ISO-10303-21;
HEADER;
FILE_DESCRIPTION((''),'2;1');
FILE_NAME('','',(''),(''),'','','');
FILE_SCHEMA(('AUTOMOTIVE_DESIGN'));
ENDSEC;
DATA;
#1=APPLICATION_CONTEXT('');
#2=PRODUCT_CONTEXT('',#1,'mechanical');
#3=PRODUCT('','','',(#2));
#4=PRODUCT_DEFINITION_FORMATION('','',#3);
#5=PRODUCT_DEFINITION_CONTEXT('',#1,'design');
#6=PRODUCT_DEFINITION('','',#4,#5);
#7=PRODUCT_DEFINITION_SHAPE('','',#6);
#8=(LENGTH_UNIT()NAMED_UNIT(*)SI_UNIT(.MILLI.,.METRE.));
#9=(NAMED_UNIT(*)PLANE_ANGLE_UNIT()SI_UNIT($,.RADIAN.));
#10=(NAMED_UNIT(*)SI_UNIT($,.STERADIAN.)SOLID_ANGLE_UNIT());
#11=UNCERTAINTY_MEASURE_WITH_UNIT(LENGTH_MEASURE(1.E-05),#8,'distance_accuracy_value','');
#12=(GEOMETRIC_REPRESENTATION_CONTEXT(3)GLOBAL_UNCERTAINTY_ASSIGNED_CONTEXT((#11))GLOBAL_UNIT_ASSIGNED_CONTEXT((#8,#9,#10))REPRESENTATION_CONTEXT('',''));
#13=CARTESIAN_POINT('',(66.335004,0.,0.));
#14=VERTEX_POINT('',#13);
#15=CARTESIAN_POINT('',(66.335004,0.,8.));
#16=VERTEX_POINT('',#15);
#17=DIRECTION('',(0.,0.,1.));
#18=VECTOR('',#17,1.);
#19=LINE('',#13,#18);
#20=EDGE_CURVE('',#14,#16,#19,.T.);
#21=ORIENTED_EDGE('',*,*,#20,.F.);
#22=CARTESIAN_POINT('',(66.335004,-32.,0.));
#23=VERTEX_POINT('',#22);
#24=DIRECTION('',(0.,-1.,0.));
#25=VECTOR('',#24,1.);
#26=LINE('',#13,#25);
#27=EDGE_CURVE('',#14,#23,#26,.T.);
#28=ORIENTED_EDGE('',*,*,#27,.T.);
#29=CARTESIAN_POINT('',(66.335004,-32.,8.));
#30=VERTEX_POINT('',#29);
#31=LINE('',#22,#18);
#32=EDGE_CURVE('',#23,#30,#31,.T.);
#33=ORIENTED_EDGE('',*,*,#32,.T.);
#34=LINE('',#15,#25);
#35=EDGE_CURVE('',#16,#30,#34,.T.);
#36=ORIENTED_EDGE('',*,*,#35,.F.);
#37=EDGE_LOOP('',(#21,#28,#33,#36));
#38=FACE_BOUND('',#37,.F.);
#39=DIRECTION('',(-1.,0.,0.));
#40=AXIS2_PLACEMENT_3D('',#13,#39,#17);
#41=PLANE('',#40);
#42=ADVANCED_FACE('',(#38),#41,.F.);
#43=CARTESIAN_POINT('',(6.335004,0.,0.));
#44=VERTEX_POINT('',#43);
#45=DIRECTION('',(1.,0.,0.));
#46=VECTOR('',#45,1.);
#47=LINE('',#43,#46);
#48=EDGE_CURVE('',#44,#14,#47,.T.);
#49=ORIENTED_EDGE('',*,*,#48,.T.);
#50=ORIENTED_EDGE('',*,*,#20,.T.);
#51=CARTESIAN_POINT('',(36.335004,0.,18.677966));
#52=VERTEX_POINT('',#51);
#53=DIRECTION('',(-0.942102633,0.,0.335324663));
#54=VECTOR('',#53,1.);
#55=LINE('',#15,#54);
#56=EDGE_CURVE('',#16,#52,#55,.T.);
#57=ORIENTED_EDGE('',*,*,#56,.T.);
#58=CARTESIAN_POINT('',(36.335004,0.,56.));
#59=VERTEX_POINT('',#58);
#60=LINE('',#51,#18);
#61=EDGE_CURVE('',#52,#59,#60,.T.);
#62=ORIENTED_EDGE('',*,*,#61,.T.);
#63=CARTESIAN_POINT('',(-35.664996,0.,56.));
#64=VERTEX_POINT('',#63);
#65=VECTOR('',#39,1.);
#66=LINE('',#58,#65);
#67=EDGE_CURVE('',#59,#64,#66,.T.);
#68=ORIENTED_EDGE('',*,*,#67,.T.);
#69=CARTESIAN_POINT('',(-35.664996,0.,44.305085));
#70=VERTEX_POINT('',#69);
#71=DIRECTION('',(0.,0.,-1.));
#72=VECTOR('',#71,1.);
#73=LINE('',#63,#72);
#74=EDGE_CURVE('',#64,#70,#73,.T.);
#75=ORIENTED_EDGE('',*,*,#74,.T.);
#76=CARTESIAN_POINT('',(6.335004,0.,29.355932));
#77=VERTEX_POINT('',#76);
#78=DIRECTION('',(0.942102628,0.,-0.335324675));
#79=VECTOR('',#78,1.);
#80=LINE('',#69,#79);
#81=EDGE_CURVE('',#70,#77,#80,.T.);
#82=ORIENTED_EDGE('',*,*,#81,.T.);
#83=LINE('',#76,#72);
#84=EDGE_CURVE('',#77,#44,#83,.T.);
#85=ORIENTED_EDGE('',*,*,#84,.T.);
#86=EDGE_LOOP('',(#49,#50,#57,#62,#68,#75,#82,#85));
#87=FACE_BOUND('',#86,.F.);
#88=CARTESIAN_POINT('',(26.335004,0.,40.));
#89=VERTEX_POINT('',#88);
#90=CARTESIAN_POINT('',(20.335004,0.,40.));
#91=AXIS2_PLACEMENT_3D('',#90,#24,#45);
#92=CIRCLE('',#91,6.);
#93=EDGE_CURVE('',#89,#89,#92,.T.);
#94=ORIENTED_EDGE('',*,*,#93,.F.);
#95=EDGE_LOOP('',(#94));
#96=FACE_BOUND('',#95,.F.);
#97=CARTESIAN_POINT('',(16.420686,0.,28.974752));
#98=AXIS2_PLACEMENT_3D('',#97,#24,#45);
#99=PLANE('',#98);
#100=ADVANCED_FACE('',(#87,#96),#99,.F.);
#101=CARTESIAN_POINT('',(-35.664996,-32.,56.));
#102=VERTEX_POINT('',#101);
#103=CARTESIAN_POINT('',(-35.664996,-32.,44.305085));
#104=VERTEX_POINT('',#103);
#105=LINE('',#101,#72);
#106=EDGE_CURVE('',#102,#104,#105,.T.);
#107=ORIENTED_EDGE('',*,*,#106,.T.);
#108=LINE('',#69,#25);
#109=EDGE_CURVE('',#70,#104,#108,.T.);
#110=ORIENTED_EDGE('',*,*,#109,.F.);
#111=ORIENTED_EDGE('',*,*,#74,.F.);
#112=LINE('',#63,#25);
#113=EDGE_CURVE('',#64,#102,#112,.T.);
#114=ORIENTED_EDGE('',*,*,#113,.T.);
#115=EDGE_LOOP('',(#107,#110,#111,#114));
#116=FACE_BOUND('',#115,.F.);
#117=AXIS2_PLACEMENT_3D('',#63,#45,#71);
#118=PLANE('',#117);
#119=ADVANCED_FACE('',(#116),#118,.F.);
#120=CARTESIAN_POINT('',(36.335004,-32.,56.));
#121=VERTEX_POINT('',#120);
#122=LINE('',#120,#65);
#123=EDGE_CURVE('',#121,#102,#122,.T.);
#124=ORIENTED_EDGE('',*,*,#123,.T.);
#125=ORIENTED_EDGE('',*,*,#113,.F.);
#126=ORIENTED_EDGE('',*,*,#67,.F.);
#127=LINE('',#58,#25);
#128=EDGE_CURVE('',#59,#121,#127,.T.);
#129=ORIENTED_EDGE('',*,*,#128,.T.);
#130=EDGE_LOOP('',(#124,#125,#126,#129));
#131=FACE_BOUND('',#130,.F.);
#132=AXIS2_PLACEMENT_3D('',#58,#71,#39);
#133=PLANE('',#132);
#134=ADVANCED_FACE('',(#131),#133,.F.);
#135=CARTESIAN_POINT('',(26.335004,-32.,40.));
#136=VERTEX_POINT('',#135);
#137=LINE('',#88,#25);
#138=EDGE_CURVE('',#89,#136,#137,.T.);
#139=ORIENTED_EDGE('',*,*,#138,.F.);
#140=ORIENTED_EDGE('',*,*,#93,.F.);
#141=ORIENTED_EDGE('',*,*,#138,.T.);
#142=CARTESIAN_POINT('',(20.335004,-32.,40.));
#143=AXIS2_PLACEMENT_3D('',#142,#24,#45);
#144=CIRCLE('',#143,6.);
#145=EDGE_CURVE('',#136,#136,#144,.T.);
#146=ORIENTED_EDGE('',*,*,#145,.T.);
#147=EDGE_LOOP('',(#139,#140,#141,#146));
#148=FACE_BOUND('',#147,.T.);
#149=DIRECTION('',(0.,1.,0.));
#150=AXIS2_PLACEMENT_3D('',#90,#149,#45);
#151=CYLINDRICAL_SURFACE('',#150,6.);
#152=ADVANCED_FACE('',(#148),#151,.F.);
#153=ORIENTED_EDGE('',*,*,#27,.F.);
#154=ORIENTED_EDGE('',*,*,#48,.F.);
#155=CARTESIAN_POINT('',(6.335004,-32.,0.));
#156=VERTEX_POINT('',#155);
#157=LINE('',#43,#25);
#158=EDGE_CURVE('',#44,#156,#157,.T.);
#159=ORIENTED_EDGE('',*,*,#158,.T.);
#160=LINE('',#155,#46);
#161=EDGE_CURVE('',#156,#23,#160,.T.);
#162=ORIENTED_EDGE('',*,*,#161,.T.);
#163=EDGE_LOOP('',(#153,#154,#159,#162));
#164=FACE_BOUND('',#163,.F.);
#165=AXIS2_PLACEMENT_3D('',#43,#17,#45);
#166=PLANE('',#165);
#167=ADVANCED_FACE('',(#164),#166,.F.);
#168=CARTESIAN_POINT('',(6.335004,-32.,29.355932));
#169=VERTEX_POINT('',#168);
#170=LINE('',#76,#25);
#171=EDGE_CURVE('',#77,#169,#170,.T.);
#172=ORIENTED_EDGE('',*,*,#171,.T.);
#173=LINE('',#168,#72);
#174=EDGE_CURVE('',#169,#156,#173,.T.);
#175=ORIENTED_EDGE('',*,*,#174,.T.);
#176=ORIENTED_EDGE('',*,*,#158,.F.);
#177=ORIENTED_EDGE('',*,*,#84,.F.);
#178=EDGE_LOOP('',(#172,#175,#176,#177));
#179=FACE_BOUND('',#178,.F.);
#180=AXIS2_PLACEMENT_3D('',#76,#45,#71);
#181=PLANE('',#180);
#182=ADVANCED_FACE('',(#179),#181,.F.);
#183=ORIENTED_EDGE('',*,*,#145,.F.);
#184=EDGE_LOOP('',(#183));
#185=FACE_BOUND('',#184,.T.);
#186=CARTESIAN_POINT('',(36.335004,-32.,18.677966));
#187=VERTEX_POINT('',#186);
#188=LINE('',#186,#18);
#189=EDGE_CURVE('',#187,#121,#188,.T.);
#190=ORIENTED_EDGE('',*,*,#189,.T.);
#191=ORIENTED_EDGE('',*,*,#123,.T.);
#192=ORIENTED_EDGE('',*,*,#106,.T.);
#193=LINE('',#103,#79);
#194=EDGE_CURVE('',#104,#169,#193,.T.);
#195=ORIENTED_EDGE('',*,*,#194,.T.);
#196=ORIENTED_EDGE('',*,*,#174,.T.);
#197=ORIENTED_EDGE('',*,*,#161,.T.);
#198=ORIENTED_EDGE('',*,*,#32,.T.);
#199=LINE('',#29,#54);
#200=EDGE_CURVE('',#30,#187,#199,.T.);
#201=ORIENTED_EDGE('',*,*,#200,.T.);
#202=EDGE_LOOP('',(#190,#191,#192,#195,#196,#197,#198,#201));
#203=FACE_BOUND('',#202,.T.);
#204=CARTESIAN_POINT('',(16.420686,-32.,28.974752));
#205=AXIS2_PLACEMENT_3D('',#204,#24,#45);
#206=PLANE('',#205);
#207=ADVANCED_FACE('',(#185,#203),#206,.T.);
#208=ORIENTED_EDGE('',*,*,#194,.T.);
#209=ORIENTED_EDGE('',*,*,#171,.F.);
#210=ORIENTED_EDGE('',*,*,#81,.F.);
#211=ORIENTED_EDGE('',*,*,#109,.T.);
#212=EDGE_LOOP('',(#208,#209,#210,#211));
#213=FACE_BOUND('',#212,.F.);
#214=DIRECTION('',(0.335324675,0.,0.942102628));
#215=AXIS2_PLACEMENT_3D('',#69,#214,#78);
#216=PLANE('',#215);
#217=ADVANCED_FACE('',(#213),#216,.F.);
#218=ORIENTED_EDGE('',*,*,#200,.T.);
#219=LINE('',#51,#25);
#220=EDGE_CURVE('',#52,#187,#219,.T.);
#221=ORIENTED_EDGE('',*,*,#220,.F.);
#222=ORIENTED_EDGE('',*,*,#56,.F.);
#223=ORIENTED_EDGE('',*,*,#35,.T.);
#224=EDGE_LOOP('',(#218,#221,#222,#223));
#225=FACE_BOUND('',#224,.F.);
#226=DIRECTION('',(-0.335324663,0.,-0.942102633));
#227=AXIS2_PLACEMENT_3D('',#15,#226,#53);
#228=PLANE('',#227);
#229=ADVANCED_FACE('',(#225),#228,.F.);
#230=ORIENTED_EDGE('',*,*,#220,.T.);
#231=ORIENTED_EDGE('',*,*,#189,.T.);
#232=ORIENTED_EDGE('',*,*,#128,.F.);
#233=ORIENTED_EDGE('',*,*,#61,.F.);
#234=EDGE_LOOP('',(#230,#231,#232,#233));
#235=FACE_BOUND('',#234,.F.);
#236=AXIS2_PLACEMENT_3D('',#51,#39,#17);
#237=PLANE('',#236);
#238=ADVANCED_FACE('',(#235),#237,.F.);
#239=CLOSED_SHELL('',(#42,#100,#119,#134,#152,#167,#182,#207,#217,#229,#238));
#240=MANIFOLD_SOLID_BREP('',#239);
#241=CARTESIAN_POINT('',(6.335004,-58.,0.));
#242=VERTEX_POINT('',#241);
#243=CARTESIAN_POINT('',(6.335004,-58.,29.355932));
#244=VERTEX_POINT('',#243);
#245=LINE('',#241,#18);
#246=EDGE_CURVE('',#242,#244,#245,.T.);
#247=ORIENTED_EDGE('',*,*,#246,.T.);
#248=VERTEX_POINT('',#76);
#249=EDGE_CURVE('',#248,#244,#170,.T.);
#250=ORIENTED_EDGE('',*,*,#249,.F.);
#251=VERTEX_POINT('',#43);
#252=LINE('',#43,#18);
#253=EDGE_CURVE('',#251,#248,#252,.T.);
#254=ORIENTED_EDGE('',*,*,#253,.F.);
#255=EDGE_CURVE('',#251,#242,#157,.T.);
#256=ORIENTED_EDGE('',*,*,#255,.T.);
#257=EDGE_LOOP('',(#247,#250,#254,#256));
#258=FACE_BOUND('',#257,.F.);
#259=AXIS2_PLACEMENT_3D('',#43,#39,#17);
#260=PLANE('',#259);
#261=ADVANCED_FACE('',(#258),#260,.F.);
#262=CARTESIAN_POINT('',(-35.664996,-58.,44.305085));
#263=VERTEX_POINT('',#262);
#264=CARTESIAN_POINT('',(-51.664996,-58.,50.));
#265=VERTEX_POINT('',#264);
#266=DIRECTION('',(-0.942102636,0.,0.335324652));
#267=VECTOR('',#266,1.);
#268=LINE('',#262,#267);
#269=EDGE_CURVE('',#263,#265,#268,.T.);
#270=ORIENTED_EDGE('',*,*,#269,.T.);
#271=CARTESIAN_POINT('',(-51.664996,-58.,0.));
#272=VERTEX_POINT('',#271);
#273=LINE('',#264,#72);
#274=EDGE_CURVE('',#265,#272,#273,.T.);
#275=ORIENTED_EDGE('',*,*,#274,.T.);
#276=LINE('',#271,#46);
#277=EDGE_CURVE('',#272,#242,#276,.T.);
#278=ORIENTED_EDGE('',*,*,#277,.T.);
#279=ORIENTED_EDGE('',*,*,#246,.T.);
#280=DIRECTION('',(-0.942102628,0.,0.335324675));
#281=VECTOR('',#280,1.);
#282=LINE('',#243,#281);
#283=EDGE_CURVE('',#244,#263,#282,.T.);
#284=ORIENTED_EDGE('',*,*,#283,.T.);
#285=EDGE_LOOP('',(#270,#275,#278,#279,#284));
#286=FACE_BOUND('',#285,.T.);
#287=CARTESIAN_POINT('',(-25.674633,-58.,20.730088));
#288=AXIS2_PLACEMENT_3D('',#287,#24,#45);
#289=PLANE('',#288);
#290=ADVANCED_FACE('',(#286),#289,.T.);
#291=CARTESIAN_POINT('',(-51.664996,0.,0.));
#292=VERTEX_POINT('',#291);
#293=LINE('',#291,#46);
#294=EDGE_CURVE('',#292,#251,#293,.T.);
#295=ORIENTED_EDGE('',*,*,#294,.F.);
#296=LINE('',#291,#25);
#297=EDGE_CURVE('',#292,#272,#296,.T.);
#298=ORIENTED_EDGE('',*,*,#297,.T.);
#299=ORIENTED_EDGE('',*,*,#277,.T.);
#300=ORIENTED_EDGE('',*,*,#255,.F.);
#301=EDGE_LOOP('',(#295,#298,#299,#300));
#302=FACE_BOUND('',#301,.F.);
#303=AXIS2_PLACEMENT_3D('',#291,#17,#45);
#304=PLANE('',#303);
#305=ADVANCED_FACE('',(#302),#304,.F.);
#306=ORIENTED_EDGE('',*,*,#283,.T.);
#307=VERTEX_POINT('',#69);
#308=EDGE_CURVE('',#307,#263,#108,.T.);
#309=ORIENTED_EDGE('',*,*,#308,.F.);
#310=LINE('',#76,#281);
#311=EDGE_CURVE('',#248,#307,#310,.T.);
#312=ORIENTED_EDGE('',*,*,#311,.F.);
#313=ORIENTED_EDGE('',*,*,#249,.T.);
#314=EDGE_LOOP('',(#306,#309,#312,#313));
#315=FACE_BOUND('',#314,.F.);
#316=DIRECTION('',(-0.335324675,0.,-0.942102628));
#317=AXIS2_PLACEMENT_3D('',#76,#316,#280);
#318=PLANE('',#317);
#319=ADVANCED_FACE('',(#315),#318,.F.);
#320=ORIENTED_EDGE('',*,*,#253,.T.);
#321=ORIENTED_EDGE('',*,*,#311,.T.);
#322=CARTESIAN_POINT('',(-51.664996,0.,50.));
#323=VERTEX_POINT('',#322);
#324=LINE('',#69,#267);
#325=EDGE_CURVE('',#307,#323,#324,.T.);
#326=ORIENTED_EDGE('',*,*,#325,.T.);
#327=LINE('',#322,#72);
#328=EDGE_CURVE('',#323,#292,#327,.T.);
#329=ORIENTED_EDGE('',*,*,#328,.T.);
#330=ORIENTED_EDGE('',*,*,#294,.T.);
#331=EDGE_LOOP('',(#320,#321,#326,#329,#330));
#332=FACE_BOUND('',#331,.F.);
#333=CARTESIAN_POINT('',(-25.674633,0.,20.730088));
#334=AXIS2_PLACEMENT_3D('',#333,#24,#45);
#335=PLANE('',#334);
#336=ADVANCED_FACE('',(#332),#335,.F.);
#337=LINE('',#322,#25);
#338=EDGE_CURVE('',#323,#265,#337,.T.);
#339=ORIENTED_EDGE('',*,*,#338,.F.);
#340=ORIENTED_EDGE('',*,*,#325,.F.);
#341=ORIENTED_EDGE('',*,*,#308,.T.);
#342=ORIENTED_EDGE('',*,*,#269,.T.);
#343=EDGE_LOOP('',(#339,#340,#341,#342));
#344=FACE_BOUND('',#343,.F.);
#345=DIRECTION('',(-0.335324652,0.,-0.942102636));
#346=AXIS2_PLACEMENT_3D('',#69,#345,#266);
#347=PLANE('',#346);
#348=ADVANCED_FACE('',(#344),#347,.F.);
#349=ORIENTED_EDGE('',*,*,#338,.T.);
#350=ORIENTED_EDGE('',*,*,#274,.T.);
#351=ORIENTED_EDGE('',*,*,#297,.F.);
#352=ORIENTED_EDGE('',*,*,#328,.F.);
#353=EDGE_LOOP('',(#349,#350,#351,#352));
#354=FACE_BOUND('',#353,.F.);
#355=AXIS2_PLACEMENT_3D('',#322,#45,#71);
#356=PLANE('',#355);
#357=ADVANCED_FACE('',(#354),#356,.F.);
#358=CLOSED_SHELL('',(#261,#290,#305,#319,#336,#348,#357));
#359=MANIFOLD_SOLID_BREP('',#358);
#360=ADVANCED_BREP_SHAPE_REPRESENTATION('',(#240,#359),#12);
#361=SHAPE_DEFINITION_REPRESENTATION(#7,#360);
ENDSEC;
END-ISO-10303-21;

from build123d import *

# Parameters (mm, degrees)
F1_DEPTH = 58
F0_R     = 6
F2_DEPTH = 32


with BuildPart() as f1:
    # F0 (on Front) → F1 (new body)
    with BuildSketch(Plane.XZ):
        Polygon((-51.664996, 0), (6.335004, 0), (6.335004, 29.355932), (-35.664996, 44.305085), (-51.664996, 50), align=None)
    extrude(amount=F1_DEPTH)


with BuildPart() as f2:
    # F0 (on Front) → F2 (new body)
    with BuildSketch(Plane.XZ):
        Polygon((6.335004, 0), (66.335004, 0), (66.335004, 8), (36.335004, 18.677966), (36.335004, 56), (-35.664996, 56), (-35.664996, 44.305085), (6.335004, 29.355932), align=None)
        with Locations((20.335004, 40)):
            Circle(F0_R, mode=Mode.SUBTRACT)
    extrude(amount=F2_DEPTH)


solid = Compound([f1.part, f2.part])
